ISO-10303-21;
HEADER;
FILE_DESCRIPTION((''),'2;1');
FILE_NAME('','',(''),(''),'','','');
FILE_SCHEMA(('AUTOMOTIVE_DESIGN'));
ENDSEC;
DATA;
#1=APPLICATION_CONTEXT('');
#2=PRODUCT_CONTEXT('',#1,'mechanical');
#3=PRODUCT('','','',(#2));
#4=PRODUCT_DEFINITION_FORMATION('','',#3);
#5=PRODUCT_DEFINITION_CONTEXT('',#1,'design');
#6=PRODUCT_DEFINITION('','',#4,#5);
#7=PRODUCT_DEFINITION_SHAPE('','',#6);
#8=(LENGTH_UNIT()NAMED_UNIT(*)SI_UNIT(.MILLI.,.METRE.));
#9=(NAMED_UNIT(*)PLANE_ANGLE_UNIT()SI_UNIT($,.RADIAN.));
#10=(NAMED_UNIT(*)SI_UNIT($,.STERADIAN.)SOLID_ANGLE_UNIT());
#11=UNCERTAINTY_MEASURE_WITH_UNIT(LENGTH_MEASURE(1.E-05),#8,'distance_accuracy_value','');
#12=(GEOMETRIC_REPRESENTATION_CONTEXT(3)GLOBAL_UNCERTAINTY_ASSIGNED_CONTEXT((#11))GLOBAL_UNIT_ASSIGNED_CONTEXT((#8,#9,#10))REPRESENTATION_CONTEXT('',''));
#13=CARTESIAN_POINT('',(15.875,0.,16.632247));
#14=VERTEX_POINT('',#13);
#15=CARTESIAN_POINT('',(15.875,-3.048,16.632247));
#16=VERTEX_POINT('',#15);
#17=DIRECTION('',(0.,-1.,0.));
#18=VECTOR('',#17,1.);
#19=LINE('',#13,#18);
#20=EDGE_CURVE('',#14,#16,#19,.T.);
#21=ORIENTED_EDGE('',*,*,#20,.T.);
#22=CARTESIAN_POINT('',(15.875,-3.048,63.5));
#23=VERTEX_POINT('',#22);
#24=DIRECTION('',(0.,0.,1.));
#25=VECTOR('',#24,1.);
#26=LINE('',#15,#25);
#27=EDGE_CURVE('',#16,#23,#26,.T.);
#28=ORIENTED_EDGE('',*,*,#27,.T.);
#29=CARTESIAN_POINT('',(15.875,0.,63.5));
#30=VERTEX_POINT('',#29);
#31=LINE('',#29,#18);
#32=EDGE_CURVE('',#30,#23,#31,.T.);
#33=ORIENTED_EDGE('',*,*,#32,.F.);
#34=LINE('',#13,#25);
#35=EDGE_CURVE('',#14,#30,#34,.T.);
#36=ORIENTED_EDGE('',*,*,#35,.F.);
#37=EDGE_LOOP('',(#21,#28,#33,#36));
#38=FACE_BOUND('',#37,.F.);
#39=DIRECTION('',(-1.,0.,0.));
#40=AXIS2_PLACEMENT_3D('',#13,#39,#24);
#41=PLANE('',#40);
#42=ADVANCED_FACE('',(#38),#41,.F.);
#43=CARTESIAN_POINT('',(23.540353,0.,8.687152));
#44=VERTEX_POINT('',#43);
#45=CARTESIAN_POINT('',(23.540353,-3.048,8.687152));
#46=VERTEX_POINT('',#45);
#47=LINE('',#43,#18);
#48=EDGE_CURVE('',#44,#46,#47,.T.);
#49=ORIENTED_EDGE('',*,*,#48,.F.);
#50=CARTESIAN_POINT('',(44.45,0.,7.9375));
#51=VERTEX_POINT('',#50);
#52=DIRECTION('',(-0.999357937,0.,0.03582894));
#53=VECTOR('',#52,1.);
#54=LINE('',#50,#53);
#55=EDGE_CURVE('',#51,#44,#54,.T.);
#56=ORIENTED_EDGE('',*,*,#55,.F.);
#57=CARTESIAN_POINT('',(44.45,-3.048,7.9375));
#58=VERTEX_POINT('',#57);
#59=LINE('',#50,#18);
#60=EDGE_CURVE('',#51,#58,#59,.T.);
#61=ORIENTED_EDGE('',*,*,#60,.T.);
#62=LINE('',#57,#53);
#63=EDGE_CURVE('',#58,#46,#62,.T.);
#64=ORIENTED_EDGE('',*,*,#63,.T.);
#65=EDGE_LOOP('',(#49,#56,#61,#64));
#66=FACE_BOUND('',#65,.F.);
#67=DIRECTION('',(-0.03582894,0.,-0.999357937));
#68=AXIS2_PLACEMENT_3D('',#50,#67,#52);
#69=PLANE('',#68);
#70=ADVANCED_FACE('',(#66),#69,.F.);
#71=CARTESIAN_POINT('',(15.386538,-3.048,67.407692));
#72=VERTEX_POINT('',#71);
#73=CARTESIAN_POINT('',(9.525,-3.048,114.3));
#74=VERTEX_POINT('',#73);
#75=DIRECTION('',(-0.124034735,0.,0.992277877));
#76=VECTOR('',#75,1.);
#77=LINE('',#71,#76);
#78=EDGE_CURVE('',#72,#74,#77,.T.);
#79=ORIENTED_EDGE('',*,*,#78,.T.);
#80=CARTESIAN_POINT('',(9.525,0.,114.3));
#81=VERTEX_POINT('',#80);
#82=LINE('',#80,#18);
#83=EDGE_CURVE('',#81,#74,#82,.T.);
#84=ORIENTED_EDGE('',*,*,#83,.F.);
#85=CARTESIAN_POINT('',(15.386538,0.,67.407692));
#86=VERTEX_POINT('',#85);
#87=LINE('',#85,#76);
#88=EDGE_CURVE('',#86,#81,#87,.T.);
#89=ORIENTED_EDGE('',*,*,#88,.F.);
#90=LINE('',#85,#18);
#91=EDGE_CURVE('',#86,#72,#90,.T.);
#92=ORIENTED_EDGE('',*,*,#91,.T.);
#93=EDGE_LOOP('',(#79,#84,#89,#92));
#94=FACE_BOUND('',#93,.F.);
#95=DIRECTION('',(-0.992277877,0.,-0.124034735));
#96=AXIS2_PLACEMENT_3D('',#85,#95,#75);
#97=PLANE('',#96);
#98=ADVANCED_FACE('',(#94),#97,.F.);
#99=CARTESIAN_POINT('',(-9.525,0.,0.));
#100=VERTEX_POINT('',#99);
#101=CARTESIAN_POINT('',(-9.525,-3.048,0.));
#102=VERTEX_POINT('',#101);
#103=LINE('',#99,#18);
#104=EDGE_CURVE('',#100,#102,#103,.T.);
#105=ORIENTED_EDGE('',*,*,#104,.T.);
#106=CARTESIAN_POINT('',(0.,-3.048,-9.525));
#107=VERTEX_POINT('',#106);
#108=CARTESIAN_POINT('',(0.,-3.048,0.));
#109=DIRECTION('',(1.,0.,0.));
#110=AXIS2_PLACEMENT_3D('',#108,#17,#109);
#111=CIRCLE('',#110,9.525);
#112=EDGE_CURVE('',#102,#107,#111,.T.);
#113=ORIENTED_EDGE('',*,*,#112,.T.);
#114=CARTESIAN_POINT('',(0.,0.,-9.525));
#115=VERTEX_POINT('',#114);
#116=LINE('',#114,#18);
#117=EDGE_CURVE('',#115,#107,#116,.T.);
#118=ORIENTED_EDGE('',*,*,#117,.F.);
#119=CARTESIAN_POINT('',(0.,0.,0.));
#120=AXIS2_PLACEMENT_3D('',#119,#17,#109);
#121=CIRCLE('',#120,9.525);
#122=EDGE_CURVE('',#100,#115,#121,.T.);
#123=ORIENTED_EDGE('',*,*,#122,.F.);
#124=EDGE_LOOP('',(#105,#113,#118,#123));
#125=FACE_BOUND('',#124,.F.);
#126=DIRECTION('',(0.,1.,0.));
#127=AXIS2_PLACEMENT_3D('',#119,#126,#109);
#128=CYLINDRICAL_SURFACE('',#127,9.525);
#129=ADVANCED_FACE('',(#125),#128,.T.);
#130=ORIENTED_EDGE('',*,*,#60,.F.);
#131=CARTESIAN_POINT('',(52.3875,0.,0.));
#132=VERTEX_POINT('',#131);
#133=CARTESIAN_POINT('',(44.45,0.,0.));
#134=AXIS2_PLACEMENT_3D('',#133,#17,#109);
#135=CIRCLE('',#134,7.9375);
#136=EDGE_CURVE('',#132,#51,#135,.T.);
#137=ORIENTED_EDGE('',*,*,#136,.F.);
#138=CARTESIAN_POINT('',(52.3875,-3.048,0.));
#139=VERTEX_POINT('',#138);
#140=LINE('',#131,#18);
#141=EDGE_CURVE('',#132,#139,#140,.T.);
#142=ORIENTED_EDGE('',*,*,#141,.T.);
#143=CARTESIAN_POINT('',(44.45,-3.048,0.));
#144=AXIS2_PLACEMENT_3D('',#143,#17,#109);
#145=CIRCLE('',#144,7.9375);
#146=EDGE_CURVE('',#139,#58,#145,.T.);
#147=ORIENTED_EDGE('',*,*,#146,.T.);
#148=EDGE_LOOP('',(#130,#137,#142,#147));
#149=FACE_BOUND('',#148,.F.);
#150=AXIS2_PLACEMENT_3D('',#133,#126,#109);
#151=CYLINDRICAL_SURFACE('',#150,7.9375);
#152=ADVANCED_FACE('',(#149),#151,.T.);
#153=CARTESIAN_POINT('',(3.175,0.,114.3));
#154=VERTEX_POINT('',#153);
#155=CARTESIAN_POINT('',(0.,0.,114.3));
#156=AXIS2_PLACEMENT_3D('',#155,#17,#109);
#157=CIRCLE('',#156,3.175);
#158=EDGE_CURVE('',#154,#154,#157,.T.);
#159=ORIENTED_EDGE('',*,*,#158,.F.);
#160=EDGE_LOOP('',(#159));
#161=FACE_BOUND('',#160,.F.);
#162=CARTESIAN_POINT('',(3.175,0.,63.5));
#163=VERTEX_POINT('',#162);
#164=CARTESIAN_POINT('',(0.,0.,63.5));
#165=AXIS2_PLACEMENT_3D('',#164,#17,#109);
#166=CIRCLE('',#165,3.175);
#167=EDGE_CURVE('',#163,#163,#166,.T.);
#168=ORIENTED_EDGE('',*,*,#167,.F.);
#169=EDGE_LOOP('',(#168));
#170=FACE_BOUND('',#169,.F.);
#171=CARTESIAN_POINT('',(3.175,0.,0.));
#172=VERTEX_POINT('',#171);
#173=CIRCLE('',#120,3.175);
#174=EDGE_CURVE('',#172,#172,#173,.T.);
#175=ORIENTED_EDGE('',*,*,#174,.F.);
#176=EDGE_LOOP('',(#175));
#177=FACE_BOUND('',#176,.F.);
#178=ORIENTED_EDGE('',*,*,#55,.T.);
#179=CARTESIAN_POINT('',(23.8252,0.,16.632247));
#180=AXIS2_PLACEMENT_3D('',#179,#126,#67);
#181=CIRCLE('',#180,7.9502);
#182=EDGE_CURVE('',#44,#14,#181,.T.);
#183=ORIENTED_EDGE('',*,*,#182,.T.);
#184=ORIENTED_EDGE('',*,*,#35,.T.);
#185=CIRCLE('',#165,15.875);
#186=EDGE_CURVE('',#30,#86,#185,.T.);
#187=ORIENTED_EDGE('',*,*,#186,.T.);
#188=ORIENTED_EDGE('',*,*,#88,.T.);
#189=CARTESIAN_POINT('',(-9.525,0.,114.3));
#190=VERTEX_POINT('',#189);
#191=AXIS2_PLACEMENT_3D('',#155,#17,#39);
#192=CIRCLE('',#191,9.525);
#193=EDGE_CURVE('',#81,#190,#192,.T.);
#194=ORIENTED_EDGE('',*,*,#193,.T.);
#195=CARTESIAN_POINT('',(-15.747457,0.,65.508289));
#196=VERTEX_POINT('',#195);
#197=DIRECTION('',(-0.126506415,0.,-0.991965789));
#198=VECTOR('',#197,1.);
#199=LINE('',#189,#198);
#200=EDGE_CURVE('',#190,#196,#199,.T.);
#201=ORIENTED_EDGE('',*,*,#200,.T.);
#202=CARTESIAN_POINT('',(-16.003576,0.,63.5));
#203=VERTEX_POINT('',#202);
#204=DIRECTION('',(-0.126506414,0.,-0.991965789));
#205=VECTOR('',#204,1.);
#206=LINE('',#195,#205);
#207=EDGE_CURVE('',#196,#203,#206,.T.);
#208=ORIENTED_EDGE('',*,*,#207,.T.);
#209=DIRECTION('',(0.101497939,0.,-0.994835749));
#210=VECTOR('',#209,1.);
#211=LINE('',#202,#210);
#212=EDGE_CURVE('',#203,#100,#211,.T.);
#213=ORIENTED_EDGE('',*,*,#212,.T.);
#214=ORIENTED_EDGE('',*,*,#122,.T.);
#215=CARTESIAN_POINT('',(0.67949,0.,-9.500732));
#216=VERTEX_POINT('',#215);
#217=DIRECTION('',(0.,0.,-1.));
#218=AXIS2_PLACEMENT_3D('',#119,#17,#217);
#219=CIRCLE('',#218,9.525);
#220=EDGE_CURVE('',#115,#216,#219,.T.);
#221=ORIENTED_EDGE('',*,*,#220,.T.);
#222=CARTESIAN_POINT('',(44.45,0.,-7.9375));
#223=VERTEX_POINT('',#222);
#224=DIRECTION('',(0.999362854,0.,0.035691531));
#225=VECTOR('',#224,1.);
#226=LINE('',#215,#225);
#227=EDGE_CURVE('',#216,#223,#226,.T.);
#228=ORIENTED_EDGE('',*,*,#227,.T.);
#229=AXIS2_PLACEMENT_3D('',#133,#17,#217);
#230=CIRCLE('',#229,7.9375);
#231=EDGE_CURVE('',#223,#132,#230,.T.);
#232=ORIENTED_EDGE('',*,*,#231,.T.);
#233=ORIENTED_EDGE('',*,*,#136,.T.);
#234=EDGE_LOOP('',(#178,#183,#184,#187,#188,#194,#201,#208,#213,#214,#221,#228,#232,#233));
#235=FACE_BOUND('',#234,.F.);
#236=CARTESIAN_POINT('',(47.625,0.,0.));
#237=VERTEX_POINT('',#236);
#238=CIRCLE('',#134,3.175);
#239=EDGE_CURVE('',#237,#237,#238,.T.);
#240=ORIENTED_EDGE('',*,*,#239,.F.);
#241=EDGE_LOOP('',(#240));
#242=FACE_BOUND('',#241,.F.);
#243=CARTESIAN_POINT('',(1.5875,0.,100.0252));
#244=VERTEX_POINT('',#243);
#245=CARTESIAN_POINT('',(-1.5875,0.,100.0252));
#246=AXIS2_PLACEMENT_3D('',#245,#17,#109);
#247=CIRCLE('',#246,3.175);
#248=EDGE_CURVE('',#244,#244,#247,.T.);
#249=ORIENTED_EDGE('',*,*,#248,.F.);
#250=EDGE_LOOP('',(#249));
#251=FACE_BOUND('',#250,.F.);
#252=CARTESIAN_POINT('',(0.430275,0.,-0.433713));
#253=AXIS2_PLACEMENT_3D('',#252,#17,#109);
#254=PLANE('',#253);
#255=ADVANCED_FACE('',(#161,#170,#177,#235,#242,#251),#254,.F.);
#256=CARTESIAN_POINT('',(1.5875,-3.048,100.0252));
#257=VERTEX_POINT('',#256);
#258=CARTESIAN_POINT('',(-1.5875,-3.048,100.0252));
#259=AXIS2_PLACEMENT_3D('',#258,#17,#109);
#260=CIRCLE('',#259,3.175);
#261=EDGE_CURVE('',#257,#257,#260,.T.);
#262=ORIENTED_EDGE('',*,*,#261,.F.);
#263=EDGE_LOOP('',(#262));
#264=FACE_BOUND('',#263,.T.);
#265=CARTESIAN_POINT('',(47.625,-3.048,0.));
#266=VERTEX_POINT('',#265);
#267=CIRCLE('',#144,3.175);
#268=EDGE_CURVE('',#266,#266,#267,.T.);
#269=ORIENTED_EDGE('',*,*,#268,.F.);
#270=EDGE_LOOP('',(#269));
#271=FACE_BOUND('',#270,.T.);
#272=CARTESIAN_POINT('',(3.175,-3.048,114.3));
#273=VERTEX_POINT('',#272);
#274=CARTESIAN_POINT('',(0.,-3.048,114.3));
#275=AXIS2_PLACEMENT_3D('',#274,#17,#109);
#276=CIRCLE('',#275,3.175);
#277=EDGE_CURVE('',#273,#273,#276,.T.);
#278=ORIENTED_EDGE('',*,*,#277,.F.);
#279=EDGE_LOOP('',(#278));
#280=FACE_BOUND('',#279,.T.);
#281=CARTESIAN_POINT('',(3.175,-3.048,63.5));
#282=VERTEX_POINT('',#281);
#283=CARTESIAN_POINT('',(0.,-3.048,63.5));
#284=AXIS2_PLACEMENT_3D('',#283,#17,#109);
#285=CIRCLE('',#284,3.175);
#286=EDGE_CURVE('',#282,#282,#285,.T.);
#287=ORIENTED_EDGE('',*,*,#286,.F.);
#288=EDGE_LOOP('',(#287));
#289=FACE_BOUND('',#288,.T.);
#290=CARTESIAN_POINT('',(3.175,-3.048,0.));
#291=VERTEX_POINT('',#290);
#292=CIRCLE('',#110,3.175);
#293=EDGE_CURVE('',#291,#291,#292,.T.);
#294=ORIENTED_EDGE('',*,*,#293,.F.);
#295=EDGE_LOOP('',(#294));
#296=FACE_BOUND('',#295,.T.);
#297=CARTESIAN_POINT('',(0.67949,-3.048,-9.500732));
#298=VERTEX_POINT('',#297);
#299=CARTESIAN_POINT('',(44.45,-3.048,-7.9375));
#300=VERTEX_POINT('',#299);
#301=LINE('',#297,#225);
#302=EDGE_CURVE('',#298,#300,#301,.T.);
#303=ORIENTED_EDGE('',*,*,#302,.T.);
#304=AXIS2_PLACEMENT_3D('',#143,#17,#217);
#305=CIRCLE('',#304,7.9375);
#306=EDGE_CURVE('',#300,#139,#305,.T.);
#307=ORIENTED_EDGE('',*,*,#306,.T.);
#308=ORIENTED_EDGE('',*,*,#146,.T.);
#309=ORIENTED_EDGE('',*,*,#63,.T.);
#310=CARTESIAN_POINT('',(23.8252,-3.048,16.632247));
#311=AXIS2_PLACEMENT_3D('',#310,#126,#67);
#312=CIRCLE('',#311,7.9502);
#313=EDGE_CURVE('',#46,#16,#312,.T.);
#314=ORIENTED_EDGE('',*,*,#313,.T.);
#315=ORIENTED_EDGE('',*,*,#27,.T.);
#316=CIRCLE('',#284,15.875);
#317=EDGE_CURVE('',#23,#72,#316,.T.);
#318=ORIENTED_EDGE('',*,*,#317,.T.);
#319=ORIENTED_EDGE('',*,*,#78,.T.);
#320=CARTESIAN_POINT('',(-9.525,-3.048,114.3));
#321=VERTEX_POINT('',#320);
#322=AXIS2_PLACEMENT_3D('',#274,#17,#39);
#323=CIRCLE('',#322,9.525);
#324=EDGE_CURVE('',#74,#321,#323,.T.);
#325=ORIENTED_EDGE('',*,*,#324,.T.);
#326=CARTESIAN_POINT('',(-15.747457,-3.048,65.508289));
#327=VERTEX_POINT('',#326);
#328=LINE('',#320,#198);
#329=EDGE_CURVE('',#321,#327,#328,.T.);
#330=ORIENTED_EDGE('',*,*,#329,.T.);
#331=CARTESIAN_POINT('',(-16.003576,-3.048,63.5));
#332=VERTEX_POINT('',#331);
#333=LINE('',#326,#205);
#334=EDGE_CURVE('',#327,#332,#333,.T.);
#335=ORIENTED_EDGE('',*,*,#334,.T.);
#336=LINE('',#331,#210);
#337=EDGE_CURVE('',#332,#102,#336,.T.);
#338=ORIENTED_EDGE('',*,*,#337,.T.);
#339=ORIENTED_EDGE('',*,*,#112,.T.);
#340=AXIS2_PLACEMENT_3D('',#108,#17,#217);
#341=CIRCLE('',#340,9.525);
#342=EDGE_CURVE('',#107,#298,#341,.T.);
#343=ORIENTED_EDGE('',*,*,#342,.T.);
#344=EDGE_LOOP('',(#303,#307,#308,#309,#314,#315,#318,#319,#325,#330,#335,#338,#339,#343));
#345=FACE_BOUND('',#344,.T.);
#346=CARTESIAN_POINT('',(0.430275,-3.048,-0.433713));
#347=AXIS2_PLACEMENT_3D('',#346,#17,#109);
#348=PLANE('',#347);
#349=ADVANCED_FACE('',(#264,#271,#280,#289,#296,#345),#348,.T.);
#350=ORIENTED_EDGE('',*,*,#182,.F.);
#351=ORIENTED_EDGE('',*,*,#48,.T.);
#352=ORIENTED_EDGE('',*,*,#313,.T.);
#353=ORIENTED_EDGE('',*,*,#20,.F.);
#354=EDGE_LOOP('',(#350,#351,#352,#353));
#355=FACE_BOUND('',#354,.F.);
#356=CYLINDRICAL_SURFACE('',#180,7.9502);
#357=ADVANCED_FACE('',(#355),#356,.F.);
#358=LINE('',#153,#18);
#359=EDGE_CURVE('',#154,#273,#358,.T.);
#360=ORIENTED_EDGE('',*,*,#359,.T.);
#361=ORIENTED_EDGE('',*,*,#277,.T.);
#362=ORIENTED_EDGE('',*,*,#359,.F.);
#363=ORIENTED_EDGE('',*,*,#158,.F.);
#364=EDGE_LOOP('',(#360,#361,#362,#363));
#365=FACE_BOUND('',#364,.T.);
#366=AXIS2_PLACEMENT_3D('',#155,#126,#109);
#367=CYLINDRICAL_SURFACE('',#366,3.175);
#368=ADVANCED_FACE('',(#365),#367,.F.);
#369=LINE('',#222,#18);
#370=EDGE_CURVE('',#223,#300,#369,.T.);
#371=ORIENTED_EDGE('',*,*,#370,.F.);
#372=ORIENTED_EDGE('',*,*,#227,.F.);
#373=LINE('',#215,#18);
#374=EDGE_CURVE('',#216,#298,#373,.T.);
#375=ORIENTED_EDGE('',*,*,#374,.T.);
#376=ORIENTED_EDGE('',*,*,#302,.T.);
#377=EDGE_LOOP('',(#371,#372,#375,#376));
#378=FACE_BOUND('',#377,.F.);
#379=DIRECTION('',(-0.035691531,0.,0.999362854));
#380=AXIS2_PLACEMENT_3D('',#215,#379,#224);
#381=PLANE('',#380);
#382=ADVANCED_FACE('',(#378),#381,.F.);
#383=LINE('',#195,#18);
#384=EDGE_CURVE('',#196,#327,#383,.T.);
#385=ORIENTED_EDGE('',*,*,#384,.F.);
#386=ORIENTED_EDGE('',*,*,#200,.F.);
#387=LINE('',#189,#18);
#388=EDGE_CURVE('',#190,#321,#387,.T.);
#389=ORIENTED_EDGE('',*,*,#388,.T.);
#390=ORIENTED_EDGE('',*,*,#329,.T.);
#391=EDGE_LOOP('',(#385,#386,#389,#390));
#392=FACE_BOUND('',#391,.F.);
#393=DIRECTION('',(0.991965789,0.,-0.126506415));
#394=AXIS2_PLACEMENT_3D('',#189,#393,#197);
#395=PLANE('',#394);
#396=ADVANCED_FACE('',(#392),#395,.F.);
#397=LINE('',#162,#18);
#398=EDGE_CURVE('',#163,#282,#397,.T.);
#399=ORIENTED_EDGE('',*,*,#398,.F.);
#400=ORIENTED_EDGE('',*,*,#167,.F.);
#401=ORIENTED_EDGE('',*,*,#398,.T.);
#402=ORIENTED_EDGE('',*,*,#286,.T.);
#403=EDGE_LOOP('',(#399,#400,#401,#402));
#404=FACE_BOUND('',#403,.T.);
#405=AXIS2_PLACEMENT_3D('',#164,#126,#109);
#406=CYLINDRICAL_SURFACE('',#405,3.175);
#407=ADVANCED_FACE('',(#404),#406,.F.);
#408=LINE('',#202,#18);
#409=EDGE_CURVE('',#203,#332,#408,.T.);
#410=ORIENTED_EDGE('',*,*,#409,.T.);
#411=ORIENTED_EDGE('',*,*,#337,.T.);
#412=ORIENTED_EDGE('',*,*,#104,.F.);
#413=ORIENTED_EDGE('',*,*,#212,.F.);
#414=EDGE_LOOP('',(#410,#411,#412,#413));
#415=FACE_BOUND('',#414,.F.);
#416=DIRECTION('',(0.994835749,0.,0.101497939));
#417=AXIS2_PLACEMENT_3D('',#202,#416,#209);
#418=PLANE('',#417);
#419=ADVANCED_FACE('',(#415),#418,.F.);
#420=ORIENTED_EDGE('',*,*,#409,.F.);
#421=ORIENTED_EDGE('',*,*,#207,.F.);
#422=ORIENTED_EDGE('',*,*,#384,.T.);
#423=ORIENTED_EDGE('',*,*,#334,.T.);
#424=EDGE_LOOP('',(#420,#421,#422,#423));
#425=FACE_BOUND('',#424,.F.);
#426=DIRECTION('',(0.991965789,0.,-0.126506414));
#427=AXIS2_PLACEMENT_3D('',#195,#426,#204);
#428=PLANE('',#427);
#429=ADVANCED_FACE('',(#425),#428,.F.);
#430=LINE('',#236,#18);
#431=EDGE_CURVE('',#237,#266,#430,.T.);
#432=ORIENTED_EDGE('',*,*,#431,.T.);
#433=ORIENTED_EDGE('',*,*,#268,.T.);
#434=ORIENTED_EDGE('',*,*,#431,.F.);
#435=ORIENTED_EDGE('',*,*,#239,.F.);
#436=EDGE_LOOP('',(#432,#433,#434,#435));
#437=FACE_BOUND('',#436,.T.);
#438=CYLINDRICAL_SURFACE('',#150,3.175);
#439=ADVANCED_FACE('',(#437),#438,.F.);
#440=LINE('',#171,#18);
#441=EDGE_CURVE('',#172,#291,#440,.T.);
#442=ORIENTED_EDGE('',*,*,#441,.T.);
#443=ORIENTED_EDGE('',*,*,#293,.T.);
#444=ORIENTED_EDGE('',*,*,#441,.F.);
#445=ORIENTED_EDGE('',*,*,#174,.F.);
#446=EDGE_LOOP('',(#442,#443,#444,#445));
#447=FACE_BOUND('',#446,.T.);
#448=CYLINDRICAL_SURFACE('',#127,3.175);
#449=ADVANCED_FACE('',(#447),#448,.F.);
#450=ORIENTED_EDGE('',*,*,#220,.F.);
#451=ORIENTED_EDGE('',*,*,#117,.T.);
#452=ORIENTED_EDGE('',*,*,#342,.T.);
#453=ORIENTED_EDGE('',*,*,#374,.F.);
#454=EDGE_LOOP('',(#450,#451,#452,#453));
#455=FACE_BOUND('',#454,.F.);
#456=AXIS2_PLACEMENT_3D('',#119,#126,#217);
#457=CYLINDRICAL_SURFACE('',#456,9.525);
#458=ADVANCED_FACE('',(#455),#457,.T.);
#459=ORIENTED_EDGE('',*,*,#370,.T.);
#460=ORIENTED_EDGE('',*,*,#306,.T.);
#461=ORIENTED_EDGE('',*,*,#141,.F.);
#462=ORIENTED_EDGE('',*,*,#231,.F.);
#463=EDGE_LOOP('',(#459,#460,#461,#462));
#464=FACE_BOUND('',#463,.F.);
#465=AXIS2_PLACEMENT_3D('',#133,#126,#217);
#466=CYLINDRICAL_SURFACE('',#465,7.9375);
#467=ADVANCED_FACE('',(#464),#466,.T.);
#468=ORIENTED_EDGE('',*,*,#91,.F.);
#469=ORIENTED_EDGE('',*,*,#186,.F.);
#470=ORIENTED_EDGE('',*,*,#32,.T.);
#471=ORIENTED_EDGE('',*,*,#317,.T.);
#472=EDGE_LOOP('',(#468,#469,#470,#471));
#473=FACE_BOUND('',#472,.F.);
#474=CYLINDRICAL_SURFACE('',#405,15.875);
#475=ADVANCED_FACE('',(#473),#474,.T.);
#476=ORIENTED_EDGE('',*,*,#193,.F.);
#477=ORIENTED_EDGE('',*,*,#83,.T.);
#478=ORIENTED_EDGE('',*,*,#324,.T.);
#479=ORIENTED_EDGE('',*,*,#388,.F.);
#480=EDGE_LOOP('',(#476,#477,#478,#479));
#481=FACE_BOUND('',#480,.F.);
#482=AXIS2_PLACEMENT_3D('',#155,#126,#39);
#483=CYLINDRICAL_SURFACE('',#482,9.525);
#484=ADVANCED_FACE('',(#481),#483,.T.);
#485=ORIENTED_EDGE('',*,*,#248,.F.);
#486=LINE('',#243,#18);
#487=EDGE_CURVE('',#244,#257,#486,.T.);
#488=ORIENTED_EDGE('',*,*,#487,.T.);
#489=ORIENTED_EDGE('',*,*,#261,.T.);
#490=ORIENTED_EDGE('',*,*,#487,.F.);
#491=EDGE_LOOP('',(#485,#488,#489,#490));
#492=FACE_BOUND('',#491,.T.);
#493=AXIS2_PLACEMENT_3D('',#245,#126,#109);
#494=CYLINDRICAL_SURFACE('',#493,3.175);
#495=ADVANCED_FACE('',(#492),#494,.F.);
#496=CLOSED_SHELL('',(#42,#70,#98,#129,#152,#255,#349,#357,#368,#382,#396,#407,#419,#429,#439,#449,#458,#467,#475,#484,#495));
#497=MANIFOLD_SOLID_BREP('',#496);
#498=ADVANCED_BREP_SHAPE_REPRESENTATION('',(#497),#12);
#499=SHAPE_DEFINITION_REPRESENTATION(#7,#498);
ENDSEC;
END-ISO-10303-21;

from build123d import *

# Parameters (mm, degrees)
F0_R     = 3.175
F1_DEPTH = 3.048


with BuildPart() as f1:
    # F0 (on Front) → F1 (new body)
    with BuildSketch(Plane.XZ):
        with BuildLine():
            ThreePointArc((0.6794904459, -9.5007324841), (6.9712901065, -6.4905114784), (9.525, 0))
            ThreePointArc((9.525, 0), (0, 9.525), (-9.525, 0))
            ThreePointArc((-9.525, 0), (-6.7351920908, -6.7351920908), (0, -9.525))
            Line((0, -9.525), (0.6794904459, -9.5007324841))
        make_face()
        Circle(F0_R, mode=Mode.SUBTRACT)
        with BuildLine():
            ThreePointArc((-9.525, 0), (0, 9.525), (9.525, 0))
            ThreePointArc((9.525, 0), (6.9712901065, -6.4905114784), (0.6794904459, -9.5007324841))
            Line((0.6794904459, -9.5007324841), (44.45, -7.9375))
            ThreePointArc((44.45, -7.9375), (36.5125, 0), (44.45, 7.9375))
            Line((44.45, 7.9375), (23.5403527632, 8.6871518144))
            ThreePointArc((23.5403527632, 8.6871518144), (18.1037372263, 11.1122342659), (15.875, 16.6322472884))
            Line((15.875, 16.6322472884), (15.875, 63.5))
            ThreePointArc((15.875, 63.5), (-1.0061676981, 47.6569178642), (-15.7474568899, 65.5082894468))
            Line((-15.7474568899, 65.5082894468), (-16.0035761028, 63.5))
            Line((-16.0035761028, 63.5), (-9.525, 0))
        make_face()
        with BuildLine():
            ThreePointArc((0, -9.525), (0.3399618281, -9.5189311877), (0.6794904459, -9.5007324841))
            Line((0.6794904459, -9.5007324841), (0, -9.525))
        make_face()
        with BuildLine():
            ThreePointArc((44.45, 7.9375), (36.5125, 0), (44.45, -7.9375))
            ThreePointArc((44.45, -7.9375), (50.0626600757, -5.6126600757), (52.3875, 0))
            ThreePointArc((52.3875, 0), (50.0626600757, 5.6126600757), (44.45, 7.9375))
        make_face()
        with Locations((44.45, 0)):
            Circle(F0_R, mode=Mode.SUBTRACT)
        with BuildLine():
            Line((-9.525, 114.3), (-15.7474568899, 65.5082894468))
            ThreePointArc((-15.7474568899, 65.5082894468), (-0.9666945407, 79.3455396457), (15.3865384615, 67.4076923077))
            Line((15.3865384615, 67.4076923077), (9.525, 114.3))
            ThreePointArc((9.525, 114.3), (0, 104.775), (-9.525, 114.3))
        make_face()
        with Locations((-1.5875, 100.0252)):
            Circle(F0_R, mode=Mode.SUBTRACT)
        with BuildLine():
            ThreePointArc((15.3865384615, 67.4076923077), (-0.9666945407, 79.3455396457), (-15.7474568899, 65.5082894468))
            ThreePointArc((-15.7474568899, 65.5082894468), (-1.0061676981, 47.6569178642), (15.875, 63.5))
            Line((15.875, 63.5), (15.3865384615, 67.4076923077))
        make_face()
        with Locations((0, 63.5)):
            Circle(F0_R, mode=Mode.SUBTRACT)
        with BuildLine():
            ThreePointArc((15.875, 63.5), (15.7524112928, 65.4690514116), (15.3865384615, 67.4076923077))
            Line((15.3865384615, 67.4076923077), (15.875, 63.5))
        make_face()
        with BuildLine():
            ThreePointArc((9.525, 114.3), (0, 123.825), (-9.525, 114.3))
            ThreePointArc((-9.525, 114.3), (0, 104.775), (9.525, 114.3))
        make_face()
        with Locations((0, 114.3)):
            Circle(F0_R, mode=Mode.SUBTRACT)
    extrude(amount=F1_DEPTH)


solid = f1.part
